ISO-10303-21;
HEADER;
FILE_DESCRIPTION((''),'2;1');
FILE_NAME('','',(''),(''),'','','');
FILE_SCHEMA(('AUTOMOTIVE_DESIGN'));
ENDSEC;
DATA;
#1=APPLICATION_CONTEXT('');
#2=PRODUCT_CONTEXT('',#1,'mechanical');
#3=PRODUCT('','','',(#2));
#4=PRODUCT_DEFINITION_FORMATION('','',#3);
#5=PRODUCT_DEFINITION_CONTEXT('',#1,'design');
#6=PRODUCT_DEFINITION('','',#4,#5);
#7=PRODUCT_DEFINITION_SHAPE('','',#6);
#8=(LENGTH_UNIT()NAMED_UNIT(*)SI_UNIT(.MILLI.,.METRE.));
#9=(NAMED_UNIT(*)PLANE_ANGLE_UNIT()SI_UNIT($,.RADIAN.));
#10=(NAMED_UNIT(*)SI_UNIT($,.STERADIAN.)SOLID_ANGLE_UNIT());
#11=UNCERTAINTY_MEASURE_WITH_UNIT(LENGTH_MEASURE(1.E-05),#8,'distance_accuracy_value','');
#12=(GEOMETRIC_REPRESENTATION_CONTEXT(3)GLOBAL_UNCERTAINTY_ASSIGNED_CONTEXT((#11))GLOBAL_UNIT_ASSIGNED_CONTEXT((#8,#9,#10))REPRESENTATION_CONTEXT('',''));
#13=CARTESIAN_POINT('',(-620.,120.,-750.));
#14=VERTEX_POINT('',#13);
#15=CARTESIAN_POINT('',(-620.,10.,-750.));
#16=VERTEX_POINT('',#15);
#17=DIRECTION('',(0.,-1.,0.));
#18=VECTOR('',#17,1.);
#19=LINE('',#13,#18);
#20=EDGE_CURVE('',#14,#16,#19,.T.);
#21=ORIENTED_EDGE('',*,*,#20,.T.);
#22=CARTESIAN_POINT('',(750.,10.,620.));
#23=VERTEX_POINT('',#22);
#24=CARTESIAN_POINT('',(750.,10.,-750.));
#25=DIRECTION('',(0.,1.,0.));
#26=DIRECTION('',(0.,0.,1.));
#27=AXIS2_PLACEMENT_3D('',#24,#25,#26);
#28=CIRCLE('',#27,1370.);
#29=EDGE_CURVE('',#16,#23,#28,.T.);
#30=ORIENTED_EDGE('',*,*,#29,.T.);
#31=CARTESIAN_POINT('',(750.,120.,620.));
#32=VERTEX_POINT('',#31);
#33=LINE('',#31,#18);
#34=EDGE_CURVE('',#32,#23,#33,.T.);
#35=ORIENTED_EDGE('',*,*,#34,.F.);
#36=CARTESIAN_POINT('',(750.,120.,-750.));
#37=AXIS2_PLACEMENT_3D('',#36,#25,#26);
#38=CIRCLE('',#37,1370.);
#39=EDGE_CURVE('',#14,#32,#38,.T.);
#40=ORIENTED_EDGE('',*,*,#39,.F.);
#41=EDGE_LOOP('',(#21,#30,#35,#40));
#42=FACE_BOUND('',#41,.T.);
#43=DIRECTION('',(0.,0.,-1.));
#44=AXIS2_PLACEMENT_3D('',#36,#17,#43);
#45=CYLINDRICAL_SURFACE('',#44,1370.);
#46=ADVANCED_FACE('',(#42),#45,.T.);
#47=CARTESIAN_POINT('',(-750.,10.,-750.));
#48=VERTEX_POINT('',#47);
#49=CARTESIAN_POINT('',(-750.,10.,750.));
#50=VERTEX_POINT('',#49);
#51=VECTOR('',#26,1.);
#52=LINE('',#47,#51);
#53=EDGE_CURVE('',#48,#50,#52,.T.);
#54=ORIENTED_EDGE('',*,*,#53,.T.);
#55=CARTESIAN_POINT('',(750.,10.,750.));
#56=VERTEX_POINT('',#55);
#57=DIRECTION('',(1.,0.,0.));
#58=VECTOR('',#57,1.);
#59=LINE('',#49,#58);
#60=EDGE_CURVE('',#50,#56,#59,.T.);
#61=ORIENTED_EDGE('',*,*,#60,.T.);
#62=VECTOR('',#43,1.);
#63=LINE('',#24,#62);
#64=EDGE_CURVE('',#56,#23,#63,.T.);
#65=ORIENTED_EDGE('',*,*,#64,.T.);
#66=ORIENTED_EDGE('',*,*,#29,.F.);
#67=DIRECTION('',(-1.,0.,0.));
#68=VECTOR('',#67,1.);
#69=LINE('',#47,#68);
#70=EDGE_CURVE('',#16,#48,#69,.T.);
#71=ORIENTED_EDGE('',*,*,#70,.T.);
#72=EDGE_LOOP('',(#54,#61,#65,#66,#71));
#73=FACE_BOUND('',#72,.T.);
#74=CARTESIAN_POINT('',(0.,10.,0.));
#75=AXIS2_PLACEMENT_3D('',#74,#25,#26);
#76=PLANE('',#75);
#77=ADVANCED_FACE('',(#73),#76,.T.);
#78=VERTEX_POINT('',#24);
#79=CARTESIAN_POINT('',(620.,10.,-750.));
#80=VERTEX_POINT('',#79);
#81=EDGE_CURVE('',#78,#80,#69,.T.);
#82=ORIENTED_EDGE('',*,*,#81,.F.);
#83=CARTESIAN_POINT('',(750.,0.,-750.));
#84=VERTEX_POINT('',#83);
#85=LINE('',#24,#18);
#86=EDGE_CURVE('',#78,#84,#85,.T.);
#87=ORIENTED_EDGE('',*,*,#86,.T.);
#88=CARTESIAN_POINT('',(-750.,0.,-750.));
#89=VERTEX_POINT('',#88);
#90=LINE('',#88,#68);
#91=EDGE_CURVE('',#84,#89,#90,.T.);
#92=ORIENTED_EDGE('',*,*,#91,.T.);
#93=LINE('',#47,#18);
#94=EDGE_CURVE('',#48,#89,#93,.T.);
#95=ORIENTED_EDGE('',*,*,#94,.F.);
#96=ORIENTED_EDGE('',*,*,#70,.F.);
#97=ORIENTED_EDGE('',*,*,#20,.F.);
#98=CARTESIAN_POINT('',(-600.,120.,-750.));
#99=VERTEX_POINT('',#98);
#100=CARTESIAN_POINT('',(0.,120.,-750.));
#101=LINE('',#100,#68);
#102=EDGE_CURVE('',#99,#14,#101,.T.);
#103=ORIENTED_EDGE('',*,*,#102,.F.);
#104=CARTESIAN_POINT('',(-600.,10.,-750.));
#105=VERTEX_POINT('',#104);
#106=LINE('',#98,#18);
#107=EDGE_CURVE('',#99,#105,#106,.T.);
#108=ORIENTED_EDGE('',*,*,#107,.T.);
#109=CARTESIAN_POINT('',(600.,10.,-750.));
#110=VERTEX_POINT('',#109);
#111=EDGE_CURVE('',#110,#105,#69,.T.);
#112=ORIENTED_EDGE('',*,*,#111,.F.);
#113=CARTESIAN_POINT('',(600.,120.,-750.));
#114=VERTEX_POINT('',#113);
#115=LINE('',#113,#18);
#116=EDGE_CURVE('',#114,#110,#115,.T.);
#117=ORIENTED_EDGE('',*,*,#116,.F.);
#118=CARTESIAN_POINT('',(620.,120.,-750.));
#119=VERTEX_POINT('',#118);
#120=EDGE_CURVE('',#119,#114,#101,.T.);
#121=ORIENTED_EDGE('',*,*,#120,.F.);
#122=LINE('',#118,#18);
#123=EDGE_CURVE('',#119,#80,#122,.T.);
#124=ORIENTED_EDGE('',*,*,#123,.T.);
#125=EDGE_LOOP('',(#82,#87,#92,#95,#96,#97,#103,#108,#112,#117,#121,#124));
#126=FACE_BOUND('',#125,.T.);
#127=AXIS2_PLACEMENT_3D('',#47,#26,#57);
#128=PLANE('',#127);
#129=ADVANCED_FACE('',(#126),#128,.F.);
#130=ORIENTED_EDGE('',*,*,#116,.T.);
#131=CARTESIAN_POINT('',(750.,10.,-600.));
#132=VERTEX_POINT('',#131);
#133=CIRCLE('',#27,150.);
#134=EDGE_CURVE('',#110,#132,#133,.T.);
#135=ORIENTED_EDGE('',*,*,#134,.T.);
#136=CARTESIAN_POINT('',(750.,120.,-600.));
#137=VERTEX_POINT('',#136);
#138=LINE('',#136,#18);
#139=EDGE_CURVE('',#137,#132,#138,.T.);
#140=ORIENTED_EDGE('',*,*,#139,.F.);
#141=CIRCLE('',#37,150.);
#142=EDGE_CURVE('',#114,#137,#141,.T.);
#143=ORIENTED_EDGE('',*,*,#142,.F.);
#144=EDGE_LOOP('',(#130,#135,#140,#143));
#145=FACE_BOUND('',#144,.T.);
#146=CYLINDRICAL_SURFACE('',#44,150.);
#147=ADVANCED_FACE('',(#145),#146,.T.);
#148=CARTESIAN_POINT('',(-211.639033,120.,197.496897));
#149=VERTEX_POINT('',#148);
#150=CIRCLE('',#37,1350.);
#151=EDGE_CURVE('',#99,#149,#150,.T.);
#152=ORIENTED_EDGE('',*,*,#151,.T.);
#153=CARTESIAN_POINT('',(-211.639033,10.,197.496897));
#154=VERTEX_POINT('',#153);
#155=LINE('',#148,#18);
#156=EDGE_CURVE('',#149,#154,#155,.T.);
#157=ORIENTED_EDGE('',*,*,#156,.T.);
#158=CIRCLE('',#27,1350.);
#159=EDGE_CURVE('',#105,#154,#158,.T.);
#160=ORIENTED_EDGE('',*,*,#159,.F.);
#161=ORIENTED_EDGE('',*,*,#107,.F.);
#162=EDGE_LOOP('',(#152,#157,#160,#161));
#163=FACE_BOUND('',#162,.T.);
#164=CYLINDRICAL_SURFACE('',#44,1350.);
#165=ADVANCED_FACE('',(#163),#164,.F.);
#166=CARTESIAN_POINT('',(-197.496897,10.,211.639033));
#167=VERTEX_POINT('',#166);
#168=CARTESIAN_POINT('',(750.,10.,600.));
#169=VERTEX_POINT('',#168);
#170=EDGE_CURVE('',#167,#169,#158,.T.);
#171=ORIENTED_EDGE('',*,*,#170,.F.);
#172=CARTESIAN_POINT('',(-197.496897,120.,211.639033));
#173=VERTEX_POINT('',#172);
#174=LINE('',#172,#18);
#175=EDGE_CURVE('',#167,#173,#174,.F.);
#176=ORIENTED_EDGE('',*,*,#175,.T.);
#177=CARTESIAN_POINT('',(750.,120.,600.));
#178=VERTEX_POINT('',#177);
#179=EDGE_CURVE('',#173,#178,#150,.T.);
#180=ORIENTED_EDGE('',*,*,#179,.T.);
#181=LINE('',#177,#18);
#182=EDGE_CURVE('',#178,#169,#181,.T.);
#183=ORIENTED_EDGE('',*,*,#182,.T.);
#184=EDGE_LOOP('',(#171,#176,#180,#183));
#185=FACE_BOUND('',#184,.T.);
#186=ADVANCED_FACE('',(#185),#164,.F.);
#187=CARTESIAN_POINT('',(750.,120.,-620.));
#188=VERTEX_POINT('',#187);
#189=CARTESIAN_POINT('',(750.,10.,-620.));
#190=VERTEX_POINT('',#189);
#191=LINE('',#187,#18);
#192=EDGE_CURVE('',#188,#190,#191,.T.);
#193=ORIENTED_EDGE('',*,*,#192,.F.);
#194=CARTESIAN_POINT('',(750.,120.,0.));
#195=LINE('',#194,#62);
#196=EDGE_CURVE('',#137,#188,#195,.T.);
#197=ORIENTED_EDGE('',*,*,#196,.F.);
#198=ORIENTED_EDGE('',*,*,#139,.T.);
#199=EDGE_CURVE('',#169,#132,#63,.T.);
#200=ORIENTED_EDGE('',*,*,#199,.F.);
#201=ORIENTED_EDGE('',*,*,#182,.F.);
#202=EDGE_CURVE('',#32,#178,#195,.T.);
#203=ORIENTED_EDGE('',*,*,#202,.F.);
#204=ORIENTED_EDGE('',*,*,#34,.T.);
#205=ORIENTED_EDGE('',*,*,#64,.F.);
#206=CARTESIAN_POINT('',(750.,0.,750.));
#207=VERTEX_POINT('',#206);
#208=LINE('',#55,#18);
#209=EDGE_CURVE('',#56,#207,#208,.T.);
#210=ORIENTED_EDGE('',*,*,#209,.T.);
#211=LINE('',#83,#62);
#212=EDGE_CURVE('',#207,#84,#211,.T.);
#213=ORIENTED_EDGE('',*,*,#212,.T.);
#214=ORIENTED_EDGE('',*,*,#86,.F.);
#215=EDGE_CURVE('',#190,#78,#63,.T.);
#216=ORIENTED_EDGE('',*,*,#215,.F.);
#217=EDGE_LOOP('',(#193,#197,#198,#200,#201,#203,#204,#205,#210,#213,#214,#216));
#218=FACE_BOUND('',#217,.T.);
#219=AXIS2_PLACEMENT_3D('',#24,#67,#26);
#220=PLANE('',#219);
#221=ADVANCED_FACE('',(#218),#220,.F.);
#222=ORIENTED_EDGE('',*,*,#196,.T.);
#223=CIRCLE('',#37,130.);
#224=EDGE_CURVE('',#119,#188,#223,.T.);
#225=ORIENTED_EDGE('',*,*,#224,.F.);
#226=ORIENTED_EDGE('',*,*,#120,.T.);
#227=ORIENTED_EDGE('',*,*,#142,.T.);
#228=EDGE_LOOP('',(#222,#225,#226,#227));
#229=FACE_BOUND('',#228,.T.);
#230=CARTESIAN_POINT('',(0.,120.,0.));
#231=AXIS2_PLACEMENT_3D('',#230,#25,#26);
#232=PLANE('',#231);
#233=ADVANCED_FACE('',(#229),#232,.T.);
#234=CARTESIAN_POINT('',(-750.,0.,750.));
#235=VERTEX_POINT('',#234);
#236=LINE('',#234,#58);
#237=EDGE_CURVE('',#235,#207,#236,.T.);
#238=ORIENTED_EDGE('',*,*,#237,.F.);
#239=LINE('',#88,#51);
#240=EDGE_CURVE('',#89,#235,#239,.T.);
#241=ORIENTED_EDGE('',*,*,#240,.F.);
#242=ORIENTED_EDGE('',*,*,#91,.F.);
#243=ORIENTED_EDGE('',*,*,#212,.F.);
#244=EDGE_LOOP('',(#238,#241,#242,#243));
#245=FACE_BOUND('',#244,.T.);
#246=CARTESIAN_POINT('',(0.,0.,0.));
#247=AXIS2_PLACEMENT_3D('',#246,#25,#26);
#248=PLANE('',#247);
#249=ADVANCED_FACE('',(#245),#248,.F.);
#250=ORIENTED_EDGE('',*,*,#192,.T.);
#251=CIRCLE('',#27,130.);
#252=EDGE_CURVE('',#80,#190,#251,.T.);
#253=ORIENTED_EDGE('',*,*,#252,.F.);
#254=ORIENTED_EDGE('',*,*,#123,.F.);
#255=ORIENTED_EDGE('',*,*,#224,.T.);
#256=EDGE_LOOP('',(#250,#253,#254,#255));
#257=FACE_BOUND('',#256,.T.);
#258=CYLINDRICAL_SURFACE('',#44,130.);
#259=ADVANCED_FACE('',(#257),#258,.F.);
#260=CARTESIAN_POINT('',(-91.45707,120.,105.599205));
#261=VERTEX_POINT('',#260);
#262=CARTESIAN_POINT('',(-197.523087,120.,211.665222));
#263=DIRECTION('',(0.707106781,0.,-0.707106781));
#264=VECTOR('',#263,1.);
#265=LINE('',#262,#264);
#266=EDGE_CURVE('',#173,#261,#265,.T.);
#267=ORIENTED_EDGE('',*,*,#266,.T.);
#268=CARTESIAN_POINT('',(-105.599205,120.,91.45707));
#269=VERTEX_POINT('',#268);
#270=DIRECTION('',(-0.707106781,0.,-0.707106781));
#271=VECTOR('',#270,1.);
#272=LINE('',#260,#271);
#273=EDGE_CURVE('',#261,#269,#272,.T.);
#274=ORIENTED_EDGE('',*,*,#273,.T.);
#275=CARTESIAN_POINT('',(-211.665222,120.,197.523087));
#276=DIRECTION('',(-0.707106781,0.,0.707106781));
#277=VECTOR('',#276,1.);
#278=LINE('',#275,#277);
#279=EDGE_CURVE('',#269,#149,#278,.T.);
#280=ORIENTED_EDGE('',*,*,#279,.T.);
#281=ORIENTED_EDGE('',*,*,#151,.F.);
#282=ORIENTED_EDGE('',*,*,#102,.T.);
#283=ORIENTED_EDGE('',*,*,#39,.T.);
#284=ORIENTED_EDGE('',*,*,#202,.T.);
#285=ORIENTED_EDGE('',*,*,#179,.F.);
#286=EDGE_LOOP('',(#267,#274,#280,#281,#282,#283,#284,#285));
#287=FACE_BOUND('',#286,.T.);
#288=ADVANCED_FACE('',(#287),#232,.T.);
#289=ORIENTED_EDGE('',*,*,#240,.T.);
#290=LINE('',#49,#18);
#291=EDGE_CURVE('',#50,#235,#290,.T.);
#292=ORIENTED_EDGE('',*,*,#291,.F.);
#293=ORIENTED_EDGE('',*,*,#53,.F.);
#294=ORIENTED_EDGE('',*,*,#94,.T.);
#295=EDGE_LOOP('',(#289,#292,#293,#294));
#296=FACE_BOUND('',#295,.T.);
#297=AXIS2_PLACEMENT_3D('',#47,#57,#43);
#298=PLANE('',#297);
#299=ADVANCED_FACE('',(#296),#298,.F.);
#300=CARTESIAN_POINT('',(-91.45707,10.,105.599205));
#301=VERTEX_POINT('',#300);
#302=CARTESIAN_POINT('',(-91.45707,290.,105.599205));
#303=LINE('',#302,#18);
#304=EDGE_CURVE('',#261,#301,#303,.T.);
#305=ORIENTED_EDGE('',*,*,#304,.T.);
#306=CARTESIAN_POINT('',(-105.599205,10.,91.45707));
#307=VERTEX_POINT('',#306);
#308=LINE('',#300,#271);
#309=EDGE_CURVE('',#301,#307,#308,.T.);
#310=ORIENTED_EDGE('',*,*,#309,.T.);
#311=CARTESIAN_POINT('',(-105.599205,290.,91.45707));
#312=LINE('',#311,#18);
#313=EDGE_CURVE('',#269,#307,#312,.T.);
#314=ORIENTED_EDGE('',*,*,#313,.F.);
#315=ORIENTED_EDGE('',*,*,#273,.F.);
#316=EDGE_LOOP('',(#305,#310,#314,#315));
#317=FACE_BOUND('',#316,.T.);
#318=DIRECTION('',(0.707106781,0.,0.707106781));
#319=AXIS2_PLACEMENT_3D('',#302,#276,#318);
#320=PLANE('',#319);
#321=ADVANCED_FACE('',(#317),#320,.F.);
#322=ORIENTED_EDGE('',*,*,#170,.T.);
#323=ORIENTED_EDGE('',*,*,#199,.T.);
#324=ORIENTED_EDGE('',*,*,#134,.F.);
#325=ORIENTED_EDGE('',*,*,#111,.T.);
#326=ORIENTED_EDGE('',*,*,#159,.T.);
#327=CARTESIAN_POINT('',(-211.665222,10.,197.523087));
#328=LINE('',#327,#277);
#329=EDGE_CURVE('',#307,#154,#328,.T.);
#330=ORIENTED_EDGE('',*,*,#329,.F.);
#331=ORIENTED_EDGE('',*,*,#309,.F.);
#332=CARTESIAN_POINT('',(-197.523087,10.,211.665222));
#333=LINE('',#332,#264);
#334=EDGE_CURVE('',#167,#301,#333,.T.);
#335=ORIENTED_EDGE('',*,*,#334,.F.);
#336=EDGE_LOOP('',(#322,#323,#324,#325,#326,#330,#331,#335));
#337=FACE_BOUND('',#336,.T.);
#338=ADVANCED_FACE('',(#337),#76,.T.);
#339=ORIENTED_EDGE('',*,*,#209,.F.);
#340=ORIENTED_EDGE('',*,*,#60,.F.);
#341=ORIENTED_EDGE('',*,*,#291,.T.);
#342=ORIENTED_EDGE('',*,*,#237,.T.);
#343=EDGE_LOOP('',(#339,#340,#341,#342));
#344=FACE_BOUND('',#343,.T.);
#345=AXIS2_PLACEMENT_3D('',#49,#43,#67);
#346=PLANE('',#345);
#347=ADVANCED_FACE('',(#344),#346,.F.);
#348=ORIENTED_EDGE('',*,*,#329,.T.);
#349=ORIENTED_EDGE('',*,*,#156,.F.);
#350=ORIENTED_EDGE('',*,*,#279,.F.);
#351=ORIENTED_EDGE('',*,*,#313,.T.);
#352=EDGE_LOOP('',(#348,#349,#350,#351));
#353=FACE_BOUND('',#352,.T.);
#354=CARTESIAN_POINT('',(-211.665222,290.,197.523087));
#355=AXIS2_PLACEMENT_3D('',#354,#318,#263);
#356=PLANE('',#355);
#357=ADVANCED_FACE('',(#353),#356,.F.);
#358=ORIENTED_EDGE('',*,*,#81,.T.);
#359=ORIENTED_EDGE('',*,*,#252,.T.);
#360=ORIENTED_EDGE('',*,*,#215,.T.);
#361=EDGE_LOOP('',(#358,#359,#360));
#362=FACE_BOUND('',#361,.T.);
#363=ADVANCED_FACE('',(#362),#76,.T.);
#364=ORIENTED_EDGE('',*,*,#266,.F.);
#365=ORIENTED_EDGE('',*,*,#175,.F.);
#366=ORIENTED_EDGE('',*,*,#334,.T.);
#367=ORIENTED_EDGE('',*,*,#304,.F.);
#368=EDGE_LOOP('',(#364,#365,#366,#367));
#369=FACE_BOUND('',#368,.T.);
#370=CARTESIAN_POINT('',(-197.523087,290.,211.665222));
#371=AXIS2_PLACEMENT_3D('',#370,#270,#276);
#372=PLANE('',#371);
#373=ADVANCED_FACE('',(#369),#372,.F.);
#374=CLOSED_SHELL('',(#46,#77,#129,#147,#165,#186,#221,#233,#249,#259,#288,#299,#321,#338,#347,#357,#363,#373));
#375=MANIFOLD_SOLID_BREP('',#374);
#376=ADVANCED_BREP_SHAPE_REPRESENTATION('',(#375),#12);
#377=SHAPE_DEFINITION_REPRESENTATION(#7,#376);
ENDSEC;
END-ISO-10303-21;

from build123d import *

# Parameters (mm, degrees)
SKETCH2_W           = 1500
SKETCH2_H           = 1500
BOSS_EXTRUDE1_DEPTH = 10
BOSS_EXTRUDE2_DEPTH = 110
BOSS_EXTRUDE3_DEPTH = 110


with BuildPart() as part:
    # Sketch2 → Boss-Extrude1 (new body)
    with BuildSketch(Plane(origin=(0, 0, 0), x_dir=(1, 0, 0), z_dir=(0, 1, 0))):
        Rectangle(SKETCH2_W, SKETCH2_H)
    extrude(amount=BOSS_EXTRUDE1_DEPTH)

    # Sketch3 → Boss-Extrude2 (add)
    with BuildSketch(Plane(origin=(0, 10, 0), x_dir=(1, 0, 0), z_dir=(0, 1, 0))):
        with BuildLine():
            ThreePointArc((750, -600), (-204.594154602, -204.594154602), (-600, 750))
            Line((-600, 750), (-620, 750))
            ThreePointArc((-620, 750), (-218.736290226, -218.736290226), (750, -620))
            Line((750, -620), (750, -600))
        make_face()
        with BuildLine():
            Line((620, 750), (600, 750))
            ThreePointArc((600, 750), (643.933982822, 643.933982822), (750, 600))
            Line((750, 600), (750, 620))
            ThreePointArc((750, 620), (658.076118446, 658.076118446), (620, 750))
        make_face()
    extrude(amount=BOSS_EXTRUDE2_DEPTH)

    # Sketch4 → Boss-Extrude3 (add)
    with BuildSketch(Plane(origin=(0, 10, 0), x_dir=(1, 0, 0), z_dir=(0, 1, 0))):
        Polygon((-197.52308679, -211.665222414), (-91.457069612, -105.599205236), (-105.599205236, -91.457069612), (-211.665222414, -197.52308679), align=None)
    extrude(amount=BOSS_EXTRUDE3_DEPTH)


solid = part.part
